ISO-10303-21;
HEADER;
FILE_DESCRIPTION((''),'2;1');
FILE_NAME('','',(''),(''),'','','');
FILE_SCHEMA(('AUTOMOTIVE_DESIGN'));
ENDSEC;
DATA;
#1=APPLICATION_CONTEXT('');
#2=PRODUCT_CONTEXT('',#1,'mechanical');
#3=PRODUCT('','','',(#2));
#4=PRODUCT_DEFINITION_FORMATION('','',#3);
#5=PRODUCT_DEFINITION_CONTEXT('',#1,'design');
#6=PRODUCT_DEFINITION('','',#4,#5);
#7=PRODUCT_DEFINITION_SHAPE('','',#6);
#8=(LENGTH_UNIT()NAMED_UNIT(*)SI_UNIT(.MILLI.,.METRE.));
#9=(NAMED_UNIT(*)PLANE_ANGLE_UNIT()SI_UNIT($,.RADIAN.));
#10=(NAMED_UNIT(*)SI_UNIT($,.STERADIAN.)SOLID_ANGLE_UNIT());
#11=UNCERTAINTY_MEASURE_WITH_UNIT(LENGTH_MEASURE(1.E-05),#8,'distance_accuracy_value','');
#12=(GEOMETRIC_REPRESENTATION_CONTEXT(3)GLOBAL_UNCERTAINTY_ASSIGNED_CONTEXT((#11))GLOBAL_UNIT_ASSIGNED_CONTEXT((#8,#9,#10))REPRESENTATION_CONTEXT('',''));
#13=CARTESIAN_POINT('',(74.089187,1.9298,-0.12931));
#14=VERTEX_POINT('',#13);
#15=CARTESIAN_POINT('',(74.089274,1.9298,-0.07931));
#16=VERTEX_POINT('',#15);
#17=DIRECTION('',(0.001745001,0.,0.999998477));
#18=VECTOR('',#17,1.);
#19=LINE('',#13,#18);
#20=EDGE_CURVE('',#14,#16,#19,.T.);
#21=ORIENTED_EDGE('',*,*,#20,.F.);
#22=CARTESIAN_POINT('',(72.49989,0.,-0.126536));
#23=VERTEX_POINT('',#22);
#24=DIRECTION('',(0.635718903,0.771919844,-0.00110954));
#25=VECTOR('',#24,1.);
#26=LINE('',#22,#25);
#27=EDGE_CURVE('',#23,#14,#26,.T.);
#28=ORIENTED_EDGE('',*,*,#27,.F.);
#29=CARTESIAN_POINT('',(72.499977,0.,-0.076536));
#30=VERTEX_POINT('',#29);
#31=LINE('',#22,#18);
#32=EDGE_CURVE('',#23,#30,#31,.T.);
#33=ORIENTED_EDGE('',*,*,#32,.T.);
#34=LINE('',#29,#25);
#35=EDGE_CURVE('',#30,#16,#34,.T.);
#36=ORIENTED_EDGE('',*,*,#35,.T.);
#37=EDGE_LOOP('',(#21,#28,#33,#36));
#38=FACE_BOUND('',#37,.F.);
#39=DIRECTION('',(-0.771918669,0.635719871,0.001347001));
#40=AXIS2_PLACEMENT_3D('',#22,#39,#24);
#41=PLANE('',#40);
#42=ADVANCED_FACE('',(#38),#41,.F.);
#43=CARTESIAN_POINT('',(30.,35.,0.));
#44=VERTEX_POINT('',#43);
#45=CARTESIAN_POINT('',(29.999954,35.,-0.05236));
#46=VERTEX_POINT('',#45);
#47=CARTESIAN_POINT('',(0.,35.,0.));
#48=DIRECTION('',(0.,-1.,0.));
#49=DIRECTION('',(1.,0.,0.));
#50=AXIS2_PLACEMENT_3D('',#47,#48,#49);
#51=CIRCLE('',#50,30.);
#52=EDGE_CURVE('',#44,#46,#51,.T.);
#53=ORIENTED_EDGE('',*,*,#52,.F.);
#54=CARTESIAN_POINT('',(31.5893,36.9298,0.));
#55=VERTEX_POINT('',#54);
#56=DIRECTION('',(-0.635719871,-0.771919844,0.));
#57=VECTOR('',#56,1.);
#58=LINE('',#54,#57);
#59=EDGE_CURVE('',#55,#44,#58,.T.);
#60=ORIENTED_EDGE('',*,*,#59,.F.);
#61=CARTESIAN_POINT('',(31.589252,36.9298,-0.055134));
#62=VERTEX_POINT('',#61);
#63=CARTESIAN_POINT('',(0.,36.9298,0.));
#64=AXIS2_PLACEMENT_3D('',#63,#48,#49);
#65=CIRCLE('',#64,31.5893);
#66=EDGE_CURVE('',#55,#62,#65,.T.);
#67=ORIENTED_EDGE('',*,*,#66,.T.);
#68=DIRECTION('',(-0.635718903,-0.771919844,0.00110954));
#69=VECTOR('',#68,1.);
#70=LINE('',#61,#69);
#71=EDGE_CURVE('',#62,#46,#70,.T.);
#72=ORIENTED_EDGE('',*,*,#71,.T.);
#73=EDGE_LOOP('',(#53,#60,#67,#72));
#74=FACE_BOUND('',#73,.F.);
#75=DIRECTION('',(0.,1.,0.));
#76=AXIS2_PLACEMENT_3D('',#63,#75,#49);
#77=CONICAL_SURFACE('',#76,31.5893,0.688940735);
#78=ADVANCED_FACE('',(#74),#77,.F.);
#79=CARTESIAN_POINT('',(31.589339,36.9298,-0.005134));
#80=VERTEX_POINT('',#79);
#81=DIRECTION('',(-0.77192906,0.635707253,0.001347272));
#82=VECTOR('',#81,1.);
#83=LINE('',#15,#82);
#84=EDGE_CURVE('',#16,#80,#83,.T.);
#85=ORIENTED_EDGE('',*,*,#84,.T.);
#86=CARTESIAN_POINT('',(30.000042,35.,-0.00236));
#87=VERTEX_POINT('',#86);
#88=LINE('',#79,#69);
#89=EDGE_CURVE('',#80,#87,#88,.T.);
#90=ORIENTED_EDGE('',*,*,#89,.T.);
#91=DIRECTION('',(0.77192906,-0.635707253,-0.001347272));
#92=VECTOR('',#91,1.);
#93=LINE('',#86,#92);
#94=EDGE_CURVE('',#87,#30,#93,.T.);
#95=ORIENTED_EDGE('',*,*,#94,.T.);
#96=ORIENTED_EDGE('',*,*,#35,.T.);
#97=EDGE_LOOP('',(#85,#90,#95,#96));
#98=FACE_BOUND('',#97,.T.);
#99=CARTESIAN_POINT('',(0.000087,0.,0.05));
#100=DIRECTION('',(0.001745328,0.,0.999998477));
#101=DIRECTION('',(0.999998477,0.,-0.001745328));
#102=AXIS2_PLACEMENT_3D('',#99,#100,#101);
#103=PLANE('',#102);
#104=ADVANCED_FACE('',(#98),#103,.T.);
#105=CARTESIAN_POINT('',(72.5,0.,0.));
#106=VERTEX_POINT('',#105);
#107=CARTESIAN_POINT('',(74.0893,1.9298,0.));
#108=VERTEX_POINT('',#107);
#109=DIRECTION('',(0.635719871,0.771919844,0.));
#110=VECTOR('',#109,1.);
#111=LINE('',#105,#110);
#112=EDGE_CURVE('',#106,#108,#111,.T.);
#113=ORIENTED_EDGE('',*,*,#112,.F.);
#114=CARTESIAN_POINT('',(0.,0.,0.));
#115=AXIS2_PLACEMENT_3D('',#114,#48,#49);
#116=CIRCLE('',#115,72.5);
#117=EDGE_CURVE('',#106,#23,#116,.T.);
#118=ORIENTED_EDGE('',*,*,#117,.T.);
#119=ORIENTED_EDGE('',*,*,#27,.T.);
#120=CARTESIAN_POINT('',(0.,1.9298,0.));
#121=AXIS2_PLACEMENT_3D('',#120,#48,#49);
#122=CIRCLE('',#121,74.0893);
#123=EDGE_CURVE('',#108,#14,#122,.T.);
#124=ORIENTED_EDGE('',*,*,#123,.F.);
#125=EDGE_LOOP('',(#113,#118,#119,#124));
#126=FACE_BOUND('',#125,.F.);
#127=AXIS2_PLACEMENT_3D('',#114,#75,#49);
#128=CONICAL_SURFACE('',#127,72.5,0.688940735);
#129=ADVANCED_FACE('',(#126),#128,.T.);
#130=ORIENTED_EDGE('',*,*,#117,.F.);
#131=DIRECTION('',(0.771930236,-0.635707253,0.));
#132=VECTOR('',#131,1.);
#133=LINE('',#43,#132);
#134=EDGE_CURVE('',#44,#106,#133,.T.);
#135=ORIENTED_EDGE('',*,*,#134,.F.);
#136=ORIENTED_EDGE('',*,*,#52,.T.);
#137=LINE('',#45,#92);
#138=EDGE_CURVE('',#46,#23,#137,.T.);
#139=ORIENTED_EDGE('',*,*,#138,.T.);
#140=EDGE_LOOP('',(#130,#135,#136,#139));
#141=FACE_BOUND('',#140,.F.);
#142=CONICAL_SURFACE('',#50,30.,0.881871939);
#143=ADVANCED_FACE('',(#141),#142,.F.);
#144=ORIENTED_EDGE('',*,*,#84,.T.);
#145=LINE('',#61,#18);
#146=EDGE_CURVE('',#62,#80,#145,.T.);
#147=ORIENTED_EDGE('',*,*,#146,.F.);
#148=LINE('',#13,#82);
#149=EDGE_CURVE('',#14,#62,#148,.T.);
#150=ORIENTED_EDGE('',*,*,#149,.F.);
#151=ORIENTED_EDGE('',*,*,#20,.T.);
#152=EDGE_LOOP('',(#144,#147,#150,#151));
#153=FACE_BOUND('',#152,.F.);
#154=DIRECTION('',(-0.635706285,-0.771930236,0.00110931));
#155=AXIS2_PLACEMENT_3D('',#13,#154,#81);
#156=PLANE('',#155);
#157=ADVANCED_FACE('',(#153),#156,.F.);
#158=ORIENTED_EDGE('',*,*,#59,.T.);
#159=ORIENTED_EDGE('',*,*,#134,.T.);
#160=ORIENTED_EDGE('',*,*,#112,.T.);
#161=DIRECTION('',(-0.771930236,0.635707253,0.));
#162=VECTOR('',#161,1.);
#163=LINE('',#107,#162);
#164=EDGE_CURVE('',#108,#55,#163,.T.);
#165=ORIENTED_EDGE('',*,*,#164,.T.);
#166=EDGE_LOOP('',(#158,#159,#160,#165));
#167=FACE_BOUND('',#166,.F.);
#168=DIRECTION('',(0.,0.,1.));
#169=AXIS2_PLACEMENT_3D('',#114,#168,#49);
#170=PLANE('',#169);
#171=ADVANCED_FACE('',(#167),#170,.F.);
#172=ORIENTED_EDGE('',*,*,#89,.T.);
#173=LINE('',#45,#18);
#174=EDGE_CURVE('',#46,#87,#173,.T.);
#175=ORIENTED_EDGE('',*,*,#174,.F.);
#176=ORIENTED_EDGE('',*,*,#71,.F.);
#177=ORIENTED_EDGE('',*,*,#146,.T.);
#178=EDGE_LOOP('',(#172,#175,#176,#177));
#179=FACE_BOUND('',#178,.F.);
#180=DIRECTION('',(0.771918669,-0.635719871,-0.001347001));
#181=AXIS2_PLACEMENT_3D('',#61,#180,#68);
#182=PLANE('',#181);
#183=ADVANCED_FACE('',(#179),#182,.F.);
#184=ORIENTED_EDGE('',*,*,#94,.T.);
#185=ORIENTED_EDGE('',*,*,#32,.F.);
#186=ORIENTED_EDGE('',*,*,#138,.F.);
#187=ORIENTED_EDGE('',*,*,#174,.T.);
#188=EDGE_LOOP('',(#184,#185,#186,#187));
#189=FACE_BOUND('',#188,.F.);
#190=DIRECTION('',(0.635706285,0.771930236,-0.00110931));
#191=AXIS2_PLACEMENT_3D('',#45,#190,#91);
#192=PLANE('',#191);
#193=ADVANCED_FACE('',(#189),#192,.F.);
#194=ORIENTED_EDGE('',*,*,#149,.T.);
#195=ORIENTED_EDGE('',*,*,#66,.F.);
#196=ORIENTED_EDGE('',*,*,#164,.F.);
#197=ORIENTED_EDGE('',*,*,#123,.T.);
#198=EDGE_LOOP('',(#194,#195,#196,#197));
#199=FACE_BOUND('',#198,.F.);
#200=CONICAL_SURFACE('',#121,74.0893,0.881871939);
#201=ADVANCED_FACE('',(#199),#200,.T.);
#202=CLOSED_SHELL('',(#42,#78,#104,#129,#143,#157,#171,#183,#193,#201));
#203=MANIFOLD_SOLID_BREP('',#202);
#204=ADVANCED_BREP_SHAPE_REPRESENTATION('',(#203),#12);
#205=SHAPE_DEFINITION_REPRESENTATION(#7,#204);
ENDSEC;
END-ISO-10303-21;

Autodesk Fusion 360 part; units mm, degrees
sketch "スケッチ1" plane through (0, 0, 0) normal (0, 0, 1) x (1, 0, 0)
  line L0 (0, 0) -> (72.5, 0)
  line L1 (0, 0) -> (0, 35)
  line L2 (0, 35) -> (30, 35)
  line L3 (30, 35) -> (72.5, 0)
  line L4 (72.5, 0) -> (74.0893, 1.9298)
  line L5 (74.0893, 1.9298) -> (31.5893, 36.9298)
  line L6 (31.5893, 36.9298) -> (30, 35)
  line L7 (31.5893, 36.9298) -> (0, 36.9298)
  line L8 (31.5893, 36.9298) -> (-4, 42)
  line L9 (31.5893, 36.9298) -> (74.0893, 1.9298)
  line L10 (31.5893, 36.9298) -> (90.0627, 19.4298)
  line L11 (0, 0) -> (0, -10)
  line L12 (0, -10) -> (105, -10)
  line L13 (74.0893, 1.9298) -> (88.5755, -10)
  line L14 (72.5, 0) -> (84.6429, -10)
  dimension "d1" = 72.5
  dimension "d2" = 35
  dimension "d3" = 30
  dimension "d4" = 2.5
  dimension "d5" = 10
revolve "回転1" add sketch "スケッチ1" angle 359.9 about axis through (0, 0, 0) along (0, -1, 0) contours L3 L4 L5 L6 L9
extrude "押し出し1" add 1 faces at (45.2261, 24.6199, -0.0789) along direction (0.001745, 0, 0.999998) blind 0.05
